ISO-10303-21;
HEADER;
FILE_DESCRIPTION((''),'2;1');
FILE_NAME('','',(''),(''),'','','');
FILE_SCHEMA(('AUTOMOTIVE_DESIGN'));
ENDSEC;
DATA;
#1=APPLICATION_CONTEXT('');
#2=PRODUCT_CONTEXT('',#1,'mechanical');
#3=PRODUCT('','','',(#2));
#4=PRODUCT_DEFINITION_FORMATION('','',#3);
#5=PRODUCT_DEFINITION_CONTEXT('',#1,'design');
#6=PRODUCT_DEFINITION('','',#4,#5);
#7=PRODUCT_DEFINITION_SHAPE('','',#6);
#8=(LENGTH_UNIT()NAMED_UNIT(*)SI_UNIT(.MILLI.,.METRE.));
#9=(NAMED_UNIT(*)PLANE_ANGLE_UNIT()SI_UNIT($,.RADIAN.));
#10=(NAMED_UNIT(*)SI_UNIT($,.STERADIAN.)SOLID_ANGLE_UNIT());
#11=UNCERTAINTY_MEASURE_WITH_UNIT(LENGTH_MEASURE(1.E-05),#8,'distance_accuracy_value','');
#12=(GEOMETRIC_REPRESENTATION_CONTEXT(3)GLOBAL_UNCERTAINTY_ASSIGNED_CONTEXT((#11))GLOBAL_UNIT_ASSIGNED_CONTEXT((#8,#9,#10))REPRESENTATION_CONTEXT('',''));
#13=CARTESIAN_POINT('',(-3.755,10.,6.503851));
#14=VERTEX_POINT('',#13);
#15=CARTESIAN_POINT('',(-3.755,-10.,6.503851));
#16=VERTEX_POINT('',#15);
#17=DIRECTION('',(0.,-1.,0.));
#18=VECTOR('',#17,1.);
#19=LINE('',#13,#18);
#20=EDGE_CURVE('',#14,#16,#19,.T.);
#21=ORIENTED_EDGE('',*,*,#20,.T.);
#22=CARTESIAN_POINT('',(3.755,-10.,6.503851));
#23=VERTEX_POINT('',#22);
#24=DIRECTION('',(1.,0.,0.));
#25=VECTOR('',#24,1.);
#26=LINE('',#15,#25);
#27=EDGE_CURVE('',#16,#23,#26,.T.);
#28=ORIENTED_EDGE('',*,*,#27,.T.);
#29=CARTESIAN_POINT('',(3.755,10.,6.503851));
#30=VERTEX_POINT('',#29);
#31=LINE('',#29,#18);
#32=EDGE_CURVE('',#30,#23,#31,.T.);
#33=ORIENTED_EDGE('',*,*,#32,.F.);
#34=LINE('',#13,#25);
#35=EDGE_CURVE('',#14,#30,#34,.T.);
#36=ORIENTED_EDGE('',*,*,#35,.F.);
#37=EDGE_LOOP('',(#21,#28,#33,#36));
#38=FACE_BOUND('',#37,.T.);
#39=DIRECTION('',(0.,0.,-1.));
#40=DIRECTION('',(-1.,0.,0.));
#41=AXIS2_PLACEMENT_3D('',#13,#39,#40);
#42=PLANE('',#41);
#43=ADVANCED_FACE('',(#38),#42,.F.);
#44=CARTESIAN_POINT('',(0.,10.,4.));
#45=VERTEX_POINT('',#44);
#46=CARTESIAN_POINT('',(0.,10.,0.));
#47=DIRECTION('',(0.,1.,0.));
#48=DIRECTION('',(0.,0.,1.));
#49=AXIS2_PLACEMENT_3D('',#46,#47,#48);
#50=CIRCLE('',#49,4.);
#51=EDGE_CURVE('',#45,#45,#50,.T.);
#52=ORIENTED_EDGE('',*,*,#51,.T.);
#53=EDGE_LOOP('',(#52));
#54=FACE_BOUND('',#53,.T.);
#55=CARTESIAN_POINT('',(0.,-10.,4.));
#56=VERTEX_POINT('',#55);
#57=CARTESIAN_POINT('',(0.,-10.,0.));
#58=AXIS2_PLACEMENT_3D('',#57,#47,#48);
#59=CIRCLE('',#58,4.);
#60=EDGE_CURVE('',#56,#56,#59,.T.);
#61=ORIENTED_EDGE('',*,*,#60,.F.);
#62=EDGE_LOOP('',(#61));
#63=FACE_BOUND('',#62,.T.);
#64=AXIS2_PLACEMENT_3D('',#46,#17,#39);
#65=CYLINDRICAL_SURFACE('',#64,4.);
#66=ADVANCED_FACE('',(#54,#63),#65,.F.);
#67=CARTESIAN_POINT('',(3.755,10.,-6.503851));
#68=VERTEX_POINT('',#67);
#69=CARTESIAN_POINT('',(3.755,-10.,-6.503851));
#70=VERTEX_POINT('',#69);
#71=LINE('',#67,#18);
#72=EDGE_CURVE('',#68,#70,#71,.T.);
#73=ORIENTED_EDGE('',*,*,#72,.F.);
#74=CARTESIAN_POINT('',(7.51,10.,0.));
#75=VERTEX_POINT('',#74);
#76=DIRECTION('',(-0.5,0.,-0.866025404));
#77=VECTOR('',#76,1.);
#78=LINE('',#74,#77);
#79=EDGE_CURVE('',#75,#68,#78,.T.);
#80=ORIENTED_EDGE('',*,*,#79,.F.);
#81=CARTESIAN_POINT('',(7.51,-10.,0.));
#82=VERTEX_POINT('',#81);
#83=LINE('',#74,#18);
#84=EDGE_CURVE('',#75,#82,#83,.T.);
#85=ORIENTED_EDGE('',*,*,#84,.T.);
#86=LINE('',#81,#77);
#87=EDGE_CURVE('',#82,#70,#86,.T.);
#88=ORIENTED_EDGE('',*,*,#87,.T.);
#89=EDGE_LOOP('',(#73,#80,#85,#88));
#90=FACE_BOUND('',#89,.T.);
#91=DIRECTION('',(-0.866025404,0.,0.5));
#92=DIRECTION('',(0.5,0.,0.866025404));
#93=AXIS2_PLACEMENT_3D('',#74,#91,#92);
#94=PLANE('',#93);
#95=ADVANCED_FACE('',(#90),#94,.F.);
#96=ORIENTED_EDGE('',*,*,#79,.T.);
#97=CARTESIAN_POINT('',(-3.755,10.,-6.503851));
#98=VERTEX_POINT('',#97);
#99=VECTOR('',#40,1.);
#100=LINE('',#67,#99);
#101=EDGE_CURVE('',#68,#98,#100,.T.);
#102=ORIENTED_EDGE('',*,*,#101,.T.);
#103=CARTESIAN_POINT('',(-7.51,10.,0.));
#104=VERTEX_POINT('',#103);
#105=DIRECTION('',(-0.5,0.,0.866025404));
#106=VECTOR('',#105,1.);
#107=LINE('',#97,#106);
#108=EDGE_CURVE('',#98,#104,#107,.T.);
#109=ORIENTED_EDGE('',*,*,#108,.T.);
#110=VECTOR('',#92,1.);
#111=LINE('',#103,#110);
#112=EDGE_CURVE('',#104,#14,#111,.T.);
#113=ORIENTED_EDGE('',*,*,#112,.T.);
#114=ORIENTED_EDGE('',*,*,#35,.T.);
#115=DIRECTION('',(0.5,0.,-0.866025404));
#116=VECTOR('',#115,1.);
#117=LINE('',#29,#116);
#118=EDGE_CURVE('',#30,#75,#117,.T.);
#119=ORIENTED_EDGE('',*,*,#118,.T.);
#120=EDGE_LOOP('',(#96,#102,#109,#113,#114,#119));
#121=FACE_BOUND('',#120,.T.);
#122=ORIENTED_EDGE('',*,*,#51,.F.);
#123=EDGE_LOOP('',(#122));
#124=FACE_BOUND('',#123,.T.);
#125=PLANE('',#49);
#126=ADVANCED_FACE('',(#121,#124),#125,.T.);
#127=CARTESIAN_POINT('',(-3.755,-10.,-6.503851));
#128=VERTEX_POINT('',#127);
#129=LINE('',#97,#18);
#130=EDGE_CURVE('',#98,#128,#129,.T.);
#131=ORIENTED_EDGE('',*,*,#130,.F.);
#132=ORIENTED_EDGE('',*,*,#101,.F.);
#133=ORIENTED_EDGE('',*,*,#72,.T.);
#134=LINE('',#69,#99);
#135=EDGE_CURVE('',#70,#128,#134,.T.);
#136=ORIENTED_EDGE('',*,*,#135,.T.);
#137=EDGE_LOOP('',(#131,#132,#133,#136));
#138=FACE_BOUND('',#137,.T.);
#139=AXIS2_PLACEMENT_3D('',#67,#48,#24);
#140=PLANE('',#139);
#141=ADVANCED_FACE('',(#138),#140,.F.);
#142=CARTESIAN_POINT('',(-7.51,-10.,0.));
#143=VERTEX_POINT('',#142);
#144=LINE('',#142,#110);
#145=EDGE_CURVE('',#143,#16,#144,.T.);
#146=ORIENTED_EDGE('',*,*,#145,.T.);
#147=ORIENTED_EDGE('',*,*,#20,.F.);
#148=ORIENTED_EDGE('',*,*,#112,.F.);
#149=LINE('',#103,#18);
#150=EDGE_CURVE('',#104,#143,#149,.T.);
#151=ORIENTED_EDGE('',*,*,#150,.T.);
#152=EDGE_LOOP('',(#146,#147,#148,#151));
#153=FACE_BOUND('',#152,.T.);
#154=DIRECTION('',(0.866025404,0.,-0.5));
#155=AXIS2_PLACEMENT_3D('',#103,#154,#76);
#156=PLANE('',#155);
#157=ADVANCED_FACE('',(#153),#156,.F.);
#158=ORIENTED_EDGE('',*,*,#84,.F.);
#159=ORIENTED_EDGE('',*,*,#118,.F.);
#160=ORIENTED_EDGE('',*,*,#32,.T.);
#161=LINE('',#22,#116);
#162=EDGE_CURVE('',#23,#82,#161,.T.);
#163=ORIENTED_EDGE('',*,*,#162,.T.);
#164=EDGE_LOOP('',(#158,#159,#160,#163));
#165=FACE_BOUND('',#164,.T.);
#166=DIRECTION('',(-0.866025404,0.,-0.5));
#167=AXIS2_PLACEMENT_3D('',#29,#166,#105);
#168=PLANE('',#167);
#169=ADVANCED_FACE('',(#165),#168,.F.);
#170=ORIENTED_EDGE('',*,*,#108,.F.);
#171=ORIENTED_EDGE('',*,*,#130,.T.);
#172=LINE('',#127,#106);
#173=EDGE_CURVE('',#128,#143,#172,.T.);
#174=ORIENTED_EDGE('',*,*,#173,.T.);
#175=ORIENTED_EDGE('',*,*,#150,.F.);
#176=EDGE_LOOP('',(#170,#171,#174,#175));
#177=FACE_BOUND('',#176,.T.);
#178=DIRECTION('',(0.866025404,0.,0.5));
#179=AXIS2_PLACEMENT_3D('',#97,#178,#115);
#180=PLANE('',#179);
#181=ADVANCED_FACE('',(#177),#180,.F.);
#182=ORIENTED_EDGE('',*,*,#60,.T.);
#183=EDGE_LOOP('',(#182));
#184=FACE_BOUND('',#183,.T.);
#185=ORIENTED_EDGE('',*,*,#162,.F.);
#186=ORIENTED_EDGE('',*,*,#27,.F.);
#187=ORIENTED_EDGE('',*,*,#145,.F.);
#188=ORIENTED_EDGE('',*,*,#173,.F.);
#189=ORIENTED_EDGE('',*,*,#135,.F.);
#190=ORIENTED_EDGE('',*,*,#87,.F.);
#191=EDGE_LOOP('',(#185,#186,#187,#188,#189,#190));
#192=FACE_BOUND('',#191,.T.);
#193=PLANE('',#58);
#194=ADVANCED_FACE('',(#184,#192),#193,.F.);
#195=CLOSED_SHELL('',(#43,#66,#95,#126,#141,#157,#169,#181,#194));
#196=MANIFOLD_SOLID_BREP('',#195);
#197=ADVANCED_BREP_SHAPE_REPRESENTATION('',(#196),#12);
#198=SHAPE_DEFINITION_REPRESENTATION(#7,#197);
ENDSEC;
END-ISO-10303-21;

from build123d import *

# Parameters (mm, degrees)
SKETCH1_R           = 4
BOSS_EXTRUDE1_DEPTH = 10


with BuildPart() as part:
    # Sketch1 → Boss-Extrude1 (new, symmetric)
    with BuildSketch(Plane(origin=(0, 0, 0), x_dir=(1, 0, 0), z_dir=(0, 1, 0))):
        Polygon((3.755, 6.503850782), (-3.755, 6.503850782), (-7.51, 0), (-3.755, -6.503850782), (3.755, -6.503850782), (7.51, 0), align=None)
        with Locations(Location((0, 0, 0), (0, 0, 270))):
            Circle(SKETCH1_R, mode=Mode.SUBTRACT)
    extrude(amount=BOSS_EXTRUDE1_DEPTH, both=True)


solid = part.part
